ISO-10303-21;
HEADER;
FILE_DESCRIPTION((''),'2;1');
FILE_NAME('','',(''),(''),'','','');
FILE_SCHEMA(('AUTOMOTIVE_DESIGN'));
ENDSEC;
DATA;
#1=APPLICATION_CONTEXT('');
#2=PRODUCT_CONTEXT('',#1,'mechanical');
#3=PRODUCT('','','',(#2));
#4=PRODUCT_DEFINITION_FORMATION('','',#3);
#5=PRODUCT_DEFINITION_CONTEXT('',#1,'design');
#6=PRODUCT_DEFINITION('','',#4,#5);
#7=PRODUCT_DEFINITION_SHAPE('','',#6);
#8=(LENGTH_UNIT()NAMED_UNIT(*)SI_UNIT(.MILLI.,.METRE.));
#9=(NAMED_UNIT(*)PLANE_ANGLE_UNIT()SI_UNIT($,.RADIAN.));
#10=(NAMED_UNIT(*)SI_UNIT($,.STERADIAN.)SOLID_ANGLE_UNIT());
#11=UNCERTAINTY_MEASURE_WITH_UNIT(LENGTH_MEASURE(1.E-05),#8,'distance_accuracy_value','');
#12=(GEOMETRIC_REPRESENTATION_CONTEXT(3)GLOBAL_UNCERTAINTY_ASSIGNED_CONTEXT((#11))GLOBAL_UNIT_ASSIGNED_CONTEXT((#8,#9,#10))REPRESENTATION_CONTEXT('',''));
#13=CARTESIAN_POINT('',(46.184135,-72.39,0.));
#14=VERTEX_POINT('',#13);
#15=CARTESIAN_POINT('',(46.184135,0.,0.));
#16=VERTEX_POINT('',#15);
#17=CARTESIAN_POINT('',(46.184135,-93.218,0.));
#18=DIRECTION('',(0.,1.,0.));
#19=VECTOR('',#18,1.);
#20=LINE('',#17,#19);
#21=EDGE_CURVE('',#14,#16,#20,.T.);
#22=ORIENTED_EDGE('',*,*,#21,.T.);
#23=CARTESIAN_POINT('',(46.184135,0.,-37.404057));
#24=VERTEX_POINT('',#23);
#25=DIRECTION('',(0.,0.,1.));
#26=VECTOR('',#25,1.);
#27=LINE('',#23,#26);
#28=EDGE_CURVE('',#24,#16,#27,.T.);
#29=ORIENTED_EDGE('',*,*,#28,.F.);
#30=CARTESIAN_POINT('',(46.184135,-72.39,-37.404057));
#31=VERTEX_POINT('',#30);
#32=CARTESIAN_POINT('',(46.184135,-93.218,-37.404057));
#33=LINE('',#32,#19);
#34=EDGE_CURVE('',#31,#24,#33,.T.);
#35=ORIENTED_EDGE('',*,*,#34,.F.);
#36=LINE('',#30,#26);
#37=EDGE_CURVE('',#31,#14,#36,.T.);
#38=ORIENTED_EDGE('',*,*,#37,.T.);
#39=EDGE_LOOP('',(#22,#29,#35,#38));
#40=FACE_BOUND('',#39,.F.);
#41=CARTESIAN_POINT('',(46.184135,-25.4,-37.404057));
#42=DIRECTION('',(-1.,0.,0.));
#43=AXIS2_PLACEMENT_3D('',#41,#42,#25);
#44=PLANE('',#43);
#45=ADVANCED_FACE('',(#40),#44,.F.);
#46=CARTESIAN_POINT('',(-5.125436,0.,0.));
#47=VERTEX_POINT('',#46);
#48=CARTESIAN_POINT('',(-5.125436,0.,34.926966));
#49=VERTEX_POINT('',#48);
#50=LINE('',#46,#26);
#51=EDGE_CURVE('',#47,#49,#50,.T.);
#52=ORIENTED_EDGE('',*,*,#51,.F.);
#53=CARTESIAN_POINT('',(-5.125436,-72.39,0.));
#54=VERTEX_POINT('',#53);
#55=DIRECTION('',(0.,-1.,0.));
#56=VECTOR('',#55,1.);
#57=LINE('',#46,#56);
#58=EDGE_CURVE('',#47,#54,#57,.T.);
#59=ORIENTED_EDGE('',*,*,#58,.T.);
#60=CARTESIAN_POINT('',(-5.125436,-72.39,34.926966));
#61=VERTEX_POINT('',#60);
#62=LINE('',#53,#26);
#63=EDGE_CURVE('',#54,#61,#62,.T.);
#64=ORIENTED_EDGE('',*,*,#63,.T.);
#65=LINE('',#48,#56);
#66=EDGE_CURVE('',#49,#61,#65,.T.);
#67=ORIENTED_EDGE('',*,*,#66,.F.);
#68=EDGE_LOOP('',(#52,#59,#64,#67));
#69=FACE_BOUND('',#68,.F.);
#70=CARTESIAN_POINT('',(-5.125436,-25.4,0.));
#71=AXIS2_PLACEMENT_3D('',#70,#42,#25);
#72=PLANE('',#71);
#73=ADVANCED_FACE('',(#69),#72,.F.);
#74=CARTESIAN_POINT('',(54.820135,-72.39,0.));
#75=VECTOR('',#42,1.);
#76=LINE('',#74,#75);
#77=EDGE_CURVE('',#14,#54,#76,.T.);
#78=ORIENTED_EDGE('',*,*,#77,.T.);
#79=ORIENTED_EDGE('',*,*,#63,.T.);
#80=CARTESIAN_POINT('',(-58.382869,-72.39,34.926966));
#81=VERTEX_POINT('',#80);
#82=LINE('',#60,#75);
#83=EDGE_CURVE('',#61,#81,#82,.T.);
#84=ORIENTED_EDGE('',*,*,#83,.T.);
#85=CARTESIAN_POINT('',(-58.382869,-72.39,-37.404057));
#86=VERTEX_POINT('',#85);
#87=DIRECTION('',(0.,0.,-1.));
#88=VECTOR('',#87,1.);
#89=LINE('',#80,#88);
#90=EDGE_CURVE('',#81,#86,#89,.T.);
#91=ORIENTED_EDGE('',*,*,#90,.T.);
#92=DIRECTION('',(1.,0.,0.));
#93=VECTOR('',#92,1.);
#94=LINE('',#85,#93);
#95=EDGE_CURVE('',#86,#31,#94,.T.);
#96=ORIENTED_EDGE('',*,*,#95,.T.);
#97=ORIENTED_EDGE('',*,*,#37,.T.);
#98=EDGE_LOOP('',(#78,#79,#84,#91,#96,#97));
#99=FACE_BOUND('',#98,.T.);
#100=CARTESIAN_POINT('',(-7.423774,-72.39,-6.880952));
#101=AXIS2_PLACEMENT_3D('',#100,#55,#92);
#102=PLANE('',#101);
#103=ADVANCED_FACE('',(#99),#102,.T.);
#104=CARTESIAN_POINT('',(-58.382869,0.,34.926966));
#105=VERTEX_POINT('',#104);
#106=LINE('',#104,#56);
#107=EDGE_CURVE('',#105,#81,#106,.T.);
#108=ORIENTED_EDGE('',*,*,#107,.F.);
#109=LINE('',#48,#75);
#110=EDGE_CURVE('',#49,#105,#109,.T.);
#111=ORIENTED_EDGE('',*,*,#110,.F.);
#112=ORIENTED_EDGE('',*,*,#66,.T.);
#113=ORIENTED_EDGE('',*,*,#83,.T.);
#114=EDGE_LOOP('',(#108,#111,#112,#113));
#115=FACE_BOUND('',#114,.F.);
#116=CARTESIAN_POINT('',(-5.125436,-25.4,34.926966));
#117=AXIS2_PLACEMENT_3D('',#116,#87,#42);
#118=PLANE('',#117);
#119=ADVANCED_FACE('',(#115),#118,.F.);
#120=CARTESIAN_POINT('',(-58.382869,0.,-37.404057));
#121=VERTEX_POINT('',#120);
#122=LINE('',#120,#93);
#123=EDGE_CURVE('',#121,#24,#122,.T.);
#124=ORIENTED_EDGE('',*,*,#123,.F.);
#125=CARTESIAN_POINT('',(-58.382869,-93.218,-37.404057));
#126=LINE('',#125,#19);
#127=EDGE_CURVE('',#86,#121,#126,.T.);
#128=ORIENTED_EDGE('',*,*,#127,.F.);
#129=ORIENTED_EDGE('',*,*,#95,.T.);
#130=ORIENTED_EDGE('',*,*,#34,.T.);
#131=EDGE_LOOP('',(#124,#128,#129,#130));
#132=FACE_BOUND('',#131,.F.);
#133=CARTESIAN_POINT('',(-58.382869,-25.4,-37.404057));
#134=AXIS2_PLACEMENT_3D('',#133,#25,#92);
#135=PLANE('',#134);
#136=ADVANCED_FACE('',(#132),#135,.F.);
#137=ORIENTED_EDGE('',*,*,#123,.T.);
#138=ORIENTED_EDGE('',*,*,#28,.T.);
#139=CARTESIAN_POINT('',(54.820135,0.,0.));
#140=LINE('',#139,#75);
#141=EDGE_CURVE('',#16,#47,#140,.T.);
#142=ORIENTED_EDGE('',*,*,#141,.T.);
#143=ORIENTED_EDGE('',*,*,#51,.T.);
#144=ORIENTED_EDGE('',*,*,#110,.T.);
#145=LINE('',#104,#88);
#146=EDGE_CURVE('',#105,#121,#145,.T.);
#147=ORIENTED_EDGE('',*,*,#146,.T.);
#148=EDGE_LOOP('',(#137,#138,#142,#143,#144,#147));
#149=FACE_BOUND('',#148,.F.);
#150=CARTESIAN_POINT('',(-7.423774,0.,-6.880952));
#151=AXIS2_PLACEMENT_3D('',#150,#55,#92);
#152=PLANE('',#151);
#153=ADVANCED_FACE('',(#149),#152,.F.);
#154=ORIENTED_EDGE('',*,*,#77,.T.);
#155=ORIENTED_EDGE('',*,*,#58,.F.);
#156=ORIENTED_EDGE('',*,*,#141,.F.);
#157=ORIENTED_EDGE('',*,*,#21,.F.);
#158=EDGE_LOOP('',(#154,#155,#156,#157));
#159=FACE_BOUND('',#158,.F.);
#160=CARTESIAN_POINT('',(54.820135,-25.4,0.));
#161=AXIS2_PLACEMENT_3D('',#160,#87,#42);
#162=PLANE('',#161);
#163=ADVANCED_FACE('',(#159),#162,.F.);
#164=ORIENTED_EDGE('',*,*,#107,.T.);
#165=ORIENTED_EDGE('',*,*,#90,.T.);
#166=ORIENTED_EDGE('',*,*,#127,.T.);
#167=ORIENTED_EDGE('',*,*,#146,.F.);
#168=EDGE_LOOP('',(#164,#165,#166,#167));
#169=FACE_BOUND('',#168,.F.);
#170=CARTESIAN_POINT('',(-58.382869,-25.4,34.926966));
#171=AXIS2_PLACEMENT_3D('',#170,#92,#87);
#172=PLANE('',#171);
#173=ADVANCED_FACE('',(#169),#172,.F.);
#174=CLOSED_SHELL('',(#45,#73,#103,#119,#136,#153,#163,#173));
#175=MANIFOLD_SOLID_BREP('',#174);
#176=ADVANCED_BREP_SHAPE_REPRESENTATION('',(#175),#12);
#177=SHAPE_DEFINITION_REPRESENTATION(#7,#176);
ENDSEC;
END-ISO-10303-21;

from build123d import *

# Parameters (mm, degrees)
F1_DEPTH = 25.4
F2_DEPTH = 67.818
F3_DEPTH = 20.828
F4_DEPTH = 8.636


with BuildPart() as f1:
    # F0 (on Front) → F1 (new body)
    with BuildSketch(Plane.XZ):
        Polygon((54.8201352358, 0), (-5.1254355349, 0), (-5.1254355349, 34.9269658327), (-58.3828687668, 34.9269658327), (-58.3828687668, -37.4040566385), (54.8201352358, -37.4040566385), align=None)
    extrude(amount=F1_DEPTH)

    # F2 (add): a face of the model
    f2_faces = [f1.faces().sort_by_distance(p)[0] for p in [
        (-10.92964208, -25.4, -7.6636129895),
    ]]
    extrude(f2_faces, amount=F2_DEPTH)

    # F3 (cut): a face of the model
    f3_faces = [f1.faces().sort_by_distance(p)[0] for p in [
        (-10.92964208, -93.218, -7.6636129895),
    ]]
    extrude(f3_faces, amount=-F3_DEPTH, mode=Mode.SUBTRACT)

    # F4 (cut): a face of the model
    f4_faces = [f1.faces().sort_by_distance(p)[0] for p in [
        (54.8201352358, -36.195, -18.7020283192),
    ]]
    extrude(f4_faces, amount=-F4_DEPTH, mode=Mode.SUBTRACT)


solid = f1.part
